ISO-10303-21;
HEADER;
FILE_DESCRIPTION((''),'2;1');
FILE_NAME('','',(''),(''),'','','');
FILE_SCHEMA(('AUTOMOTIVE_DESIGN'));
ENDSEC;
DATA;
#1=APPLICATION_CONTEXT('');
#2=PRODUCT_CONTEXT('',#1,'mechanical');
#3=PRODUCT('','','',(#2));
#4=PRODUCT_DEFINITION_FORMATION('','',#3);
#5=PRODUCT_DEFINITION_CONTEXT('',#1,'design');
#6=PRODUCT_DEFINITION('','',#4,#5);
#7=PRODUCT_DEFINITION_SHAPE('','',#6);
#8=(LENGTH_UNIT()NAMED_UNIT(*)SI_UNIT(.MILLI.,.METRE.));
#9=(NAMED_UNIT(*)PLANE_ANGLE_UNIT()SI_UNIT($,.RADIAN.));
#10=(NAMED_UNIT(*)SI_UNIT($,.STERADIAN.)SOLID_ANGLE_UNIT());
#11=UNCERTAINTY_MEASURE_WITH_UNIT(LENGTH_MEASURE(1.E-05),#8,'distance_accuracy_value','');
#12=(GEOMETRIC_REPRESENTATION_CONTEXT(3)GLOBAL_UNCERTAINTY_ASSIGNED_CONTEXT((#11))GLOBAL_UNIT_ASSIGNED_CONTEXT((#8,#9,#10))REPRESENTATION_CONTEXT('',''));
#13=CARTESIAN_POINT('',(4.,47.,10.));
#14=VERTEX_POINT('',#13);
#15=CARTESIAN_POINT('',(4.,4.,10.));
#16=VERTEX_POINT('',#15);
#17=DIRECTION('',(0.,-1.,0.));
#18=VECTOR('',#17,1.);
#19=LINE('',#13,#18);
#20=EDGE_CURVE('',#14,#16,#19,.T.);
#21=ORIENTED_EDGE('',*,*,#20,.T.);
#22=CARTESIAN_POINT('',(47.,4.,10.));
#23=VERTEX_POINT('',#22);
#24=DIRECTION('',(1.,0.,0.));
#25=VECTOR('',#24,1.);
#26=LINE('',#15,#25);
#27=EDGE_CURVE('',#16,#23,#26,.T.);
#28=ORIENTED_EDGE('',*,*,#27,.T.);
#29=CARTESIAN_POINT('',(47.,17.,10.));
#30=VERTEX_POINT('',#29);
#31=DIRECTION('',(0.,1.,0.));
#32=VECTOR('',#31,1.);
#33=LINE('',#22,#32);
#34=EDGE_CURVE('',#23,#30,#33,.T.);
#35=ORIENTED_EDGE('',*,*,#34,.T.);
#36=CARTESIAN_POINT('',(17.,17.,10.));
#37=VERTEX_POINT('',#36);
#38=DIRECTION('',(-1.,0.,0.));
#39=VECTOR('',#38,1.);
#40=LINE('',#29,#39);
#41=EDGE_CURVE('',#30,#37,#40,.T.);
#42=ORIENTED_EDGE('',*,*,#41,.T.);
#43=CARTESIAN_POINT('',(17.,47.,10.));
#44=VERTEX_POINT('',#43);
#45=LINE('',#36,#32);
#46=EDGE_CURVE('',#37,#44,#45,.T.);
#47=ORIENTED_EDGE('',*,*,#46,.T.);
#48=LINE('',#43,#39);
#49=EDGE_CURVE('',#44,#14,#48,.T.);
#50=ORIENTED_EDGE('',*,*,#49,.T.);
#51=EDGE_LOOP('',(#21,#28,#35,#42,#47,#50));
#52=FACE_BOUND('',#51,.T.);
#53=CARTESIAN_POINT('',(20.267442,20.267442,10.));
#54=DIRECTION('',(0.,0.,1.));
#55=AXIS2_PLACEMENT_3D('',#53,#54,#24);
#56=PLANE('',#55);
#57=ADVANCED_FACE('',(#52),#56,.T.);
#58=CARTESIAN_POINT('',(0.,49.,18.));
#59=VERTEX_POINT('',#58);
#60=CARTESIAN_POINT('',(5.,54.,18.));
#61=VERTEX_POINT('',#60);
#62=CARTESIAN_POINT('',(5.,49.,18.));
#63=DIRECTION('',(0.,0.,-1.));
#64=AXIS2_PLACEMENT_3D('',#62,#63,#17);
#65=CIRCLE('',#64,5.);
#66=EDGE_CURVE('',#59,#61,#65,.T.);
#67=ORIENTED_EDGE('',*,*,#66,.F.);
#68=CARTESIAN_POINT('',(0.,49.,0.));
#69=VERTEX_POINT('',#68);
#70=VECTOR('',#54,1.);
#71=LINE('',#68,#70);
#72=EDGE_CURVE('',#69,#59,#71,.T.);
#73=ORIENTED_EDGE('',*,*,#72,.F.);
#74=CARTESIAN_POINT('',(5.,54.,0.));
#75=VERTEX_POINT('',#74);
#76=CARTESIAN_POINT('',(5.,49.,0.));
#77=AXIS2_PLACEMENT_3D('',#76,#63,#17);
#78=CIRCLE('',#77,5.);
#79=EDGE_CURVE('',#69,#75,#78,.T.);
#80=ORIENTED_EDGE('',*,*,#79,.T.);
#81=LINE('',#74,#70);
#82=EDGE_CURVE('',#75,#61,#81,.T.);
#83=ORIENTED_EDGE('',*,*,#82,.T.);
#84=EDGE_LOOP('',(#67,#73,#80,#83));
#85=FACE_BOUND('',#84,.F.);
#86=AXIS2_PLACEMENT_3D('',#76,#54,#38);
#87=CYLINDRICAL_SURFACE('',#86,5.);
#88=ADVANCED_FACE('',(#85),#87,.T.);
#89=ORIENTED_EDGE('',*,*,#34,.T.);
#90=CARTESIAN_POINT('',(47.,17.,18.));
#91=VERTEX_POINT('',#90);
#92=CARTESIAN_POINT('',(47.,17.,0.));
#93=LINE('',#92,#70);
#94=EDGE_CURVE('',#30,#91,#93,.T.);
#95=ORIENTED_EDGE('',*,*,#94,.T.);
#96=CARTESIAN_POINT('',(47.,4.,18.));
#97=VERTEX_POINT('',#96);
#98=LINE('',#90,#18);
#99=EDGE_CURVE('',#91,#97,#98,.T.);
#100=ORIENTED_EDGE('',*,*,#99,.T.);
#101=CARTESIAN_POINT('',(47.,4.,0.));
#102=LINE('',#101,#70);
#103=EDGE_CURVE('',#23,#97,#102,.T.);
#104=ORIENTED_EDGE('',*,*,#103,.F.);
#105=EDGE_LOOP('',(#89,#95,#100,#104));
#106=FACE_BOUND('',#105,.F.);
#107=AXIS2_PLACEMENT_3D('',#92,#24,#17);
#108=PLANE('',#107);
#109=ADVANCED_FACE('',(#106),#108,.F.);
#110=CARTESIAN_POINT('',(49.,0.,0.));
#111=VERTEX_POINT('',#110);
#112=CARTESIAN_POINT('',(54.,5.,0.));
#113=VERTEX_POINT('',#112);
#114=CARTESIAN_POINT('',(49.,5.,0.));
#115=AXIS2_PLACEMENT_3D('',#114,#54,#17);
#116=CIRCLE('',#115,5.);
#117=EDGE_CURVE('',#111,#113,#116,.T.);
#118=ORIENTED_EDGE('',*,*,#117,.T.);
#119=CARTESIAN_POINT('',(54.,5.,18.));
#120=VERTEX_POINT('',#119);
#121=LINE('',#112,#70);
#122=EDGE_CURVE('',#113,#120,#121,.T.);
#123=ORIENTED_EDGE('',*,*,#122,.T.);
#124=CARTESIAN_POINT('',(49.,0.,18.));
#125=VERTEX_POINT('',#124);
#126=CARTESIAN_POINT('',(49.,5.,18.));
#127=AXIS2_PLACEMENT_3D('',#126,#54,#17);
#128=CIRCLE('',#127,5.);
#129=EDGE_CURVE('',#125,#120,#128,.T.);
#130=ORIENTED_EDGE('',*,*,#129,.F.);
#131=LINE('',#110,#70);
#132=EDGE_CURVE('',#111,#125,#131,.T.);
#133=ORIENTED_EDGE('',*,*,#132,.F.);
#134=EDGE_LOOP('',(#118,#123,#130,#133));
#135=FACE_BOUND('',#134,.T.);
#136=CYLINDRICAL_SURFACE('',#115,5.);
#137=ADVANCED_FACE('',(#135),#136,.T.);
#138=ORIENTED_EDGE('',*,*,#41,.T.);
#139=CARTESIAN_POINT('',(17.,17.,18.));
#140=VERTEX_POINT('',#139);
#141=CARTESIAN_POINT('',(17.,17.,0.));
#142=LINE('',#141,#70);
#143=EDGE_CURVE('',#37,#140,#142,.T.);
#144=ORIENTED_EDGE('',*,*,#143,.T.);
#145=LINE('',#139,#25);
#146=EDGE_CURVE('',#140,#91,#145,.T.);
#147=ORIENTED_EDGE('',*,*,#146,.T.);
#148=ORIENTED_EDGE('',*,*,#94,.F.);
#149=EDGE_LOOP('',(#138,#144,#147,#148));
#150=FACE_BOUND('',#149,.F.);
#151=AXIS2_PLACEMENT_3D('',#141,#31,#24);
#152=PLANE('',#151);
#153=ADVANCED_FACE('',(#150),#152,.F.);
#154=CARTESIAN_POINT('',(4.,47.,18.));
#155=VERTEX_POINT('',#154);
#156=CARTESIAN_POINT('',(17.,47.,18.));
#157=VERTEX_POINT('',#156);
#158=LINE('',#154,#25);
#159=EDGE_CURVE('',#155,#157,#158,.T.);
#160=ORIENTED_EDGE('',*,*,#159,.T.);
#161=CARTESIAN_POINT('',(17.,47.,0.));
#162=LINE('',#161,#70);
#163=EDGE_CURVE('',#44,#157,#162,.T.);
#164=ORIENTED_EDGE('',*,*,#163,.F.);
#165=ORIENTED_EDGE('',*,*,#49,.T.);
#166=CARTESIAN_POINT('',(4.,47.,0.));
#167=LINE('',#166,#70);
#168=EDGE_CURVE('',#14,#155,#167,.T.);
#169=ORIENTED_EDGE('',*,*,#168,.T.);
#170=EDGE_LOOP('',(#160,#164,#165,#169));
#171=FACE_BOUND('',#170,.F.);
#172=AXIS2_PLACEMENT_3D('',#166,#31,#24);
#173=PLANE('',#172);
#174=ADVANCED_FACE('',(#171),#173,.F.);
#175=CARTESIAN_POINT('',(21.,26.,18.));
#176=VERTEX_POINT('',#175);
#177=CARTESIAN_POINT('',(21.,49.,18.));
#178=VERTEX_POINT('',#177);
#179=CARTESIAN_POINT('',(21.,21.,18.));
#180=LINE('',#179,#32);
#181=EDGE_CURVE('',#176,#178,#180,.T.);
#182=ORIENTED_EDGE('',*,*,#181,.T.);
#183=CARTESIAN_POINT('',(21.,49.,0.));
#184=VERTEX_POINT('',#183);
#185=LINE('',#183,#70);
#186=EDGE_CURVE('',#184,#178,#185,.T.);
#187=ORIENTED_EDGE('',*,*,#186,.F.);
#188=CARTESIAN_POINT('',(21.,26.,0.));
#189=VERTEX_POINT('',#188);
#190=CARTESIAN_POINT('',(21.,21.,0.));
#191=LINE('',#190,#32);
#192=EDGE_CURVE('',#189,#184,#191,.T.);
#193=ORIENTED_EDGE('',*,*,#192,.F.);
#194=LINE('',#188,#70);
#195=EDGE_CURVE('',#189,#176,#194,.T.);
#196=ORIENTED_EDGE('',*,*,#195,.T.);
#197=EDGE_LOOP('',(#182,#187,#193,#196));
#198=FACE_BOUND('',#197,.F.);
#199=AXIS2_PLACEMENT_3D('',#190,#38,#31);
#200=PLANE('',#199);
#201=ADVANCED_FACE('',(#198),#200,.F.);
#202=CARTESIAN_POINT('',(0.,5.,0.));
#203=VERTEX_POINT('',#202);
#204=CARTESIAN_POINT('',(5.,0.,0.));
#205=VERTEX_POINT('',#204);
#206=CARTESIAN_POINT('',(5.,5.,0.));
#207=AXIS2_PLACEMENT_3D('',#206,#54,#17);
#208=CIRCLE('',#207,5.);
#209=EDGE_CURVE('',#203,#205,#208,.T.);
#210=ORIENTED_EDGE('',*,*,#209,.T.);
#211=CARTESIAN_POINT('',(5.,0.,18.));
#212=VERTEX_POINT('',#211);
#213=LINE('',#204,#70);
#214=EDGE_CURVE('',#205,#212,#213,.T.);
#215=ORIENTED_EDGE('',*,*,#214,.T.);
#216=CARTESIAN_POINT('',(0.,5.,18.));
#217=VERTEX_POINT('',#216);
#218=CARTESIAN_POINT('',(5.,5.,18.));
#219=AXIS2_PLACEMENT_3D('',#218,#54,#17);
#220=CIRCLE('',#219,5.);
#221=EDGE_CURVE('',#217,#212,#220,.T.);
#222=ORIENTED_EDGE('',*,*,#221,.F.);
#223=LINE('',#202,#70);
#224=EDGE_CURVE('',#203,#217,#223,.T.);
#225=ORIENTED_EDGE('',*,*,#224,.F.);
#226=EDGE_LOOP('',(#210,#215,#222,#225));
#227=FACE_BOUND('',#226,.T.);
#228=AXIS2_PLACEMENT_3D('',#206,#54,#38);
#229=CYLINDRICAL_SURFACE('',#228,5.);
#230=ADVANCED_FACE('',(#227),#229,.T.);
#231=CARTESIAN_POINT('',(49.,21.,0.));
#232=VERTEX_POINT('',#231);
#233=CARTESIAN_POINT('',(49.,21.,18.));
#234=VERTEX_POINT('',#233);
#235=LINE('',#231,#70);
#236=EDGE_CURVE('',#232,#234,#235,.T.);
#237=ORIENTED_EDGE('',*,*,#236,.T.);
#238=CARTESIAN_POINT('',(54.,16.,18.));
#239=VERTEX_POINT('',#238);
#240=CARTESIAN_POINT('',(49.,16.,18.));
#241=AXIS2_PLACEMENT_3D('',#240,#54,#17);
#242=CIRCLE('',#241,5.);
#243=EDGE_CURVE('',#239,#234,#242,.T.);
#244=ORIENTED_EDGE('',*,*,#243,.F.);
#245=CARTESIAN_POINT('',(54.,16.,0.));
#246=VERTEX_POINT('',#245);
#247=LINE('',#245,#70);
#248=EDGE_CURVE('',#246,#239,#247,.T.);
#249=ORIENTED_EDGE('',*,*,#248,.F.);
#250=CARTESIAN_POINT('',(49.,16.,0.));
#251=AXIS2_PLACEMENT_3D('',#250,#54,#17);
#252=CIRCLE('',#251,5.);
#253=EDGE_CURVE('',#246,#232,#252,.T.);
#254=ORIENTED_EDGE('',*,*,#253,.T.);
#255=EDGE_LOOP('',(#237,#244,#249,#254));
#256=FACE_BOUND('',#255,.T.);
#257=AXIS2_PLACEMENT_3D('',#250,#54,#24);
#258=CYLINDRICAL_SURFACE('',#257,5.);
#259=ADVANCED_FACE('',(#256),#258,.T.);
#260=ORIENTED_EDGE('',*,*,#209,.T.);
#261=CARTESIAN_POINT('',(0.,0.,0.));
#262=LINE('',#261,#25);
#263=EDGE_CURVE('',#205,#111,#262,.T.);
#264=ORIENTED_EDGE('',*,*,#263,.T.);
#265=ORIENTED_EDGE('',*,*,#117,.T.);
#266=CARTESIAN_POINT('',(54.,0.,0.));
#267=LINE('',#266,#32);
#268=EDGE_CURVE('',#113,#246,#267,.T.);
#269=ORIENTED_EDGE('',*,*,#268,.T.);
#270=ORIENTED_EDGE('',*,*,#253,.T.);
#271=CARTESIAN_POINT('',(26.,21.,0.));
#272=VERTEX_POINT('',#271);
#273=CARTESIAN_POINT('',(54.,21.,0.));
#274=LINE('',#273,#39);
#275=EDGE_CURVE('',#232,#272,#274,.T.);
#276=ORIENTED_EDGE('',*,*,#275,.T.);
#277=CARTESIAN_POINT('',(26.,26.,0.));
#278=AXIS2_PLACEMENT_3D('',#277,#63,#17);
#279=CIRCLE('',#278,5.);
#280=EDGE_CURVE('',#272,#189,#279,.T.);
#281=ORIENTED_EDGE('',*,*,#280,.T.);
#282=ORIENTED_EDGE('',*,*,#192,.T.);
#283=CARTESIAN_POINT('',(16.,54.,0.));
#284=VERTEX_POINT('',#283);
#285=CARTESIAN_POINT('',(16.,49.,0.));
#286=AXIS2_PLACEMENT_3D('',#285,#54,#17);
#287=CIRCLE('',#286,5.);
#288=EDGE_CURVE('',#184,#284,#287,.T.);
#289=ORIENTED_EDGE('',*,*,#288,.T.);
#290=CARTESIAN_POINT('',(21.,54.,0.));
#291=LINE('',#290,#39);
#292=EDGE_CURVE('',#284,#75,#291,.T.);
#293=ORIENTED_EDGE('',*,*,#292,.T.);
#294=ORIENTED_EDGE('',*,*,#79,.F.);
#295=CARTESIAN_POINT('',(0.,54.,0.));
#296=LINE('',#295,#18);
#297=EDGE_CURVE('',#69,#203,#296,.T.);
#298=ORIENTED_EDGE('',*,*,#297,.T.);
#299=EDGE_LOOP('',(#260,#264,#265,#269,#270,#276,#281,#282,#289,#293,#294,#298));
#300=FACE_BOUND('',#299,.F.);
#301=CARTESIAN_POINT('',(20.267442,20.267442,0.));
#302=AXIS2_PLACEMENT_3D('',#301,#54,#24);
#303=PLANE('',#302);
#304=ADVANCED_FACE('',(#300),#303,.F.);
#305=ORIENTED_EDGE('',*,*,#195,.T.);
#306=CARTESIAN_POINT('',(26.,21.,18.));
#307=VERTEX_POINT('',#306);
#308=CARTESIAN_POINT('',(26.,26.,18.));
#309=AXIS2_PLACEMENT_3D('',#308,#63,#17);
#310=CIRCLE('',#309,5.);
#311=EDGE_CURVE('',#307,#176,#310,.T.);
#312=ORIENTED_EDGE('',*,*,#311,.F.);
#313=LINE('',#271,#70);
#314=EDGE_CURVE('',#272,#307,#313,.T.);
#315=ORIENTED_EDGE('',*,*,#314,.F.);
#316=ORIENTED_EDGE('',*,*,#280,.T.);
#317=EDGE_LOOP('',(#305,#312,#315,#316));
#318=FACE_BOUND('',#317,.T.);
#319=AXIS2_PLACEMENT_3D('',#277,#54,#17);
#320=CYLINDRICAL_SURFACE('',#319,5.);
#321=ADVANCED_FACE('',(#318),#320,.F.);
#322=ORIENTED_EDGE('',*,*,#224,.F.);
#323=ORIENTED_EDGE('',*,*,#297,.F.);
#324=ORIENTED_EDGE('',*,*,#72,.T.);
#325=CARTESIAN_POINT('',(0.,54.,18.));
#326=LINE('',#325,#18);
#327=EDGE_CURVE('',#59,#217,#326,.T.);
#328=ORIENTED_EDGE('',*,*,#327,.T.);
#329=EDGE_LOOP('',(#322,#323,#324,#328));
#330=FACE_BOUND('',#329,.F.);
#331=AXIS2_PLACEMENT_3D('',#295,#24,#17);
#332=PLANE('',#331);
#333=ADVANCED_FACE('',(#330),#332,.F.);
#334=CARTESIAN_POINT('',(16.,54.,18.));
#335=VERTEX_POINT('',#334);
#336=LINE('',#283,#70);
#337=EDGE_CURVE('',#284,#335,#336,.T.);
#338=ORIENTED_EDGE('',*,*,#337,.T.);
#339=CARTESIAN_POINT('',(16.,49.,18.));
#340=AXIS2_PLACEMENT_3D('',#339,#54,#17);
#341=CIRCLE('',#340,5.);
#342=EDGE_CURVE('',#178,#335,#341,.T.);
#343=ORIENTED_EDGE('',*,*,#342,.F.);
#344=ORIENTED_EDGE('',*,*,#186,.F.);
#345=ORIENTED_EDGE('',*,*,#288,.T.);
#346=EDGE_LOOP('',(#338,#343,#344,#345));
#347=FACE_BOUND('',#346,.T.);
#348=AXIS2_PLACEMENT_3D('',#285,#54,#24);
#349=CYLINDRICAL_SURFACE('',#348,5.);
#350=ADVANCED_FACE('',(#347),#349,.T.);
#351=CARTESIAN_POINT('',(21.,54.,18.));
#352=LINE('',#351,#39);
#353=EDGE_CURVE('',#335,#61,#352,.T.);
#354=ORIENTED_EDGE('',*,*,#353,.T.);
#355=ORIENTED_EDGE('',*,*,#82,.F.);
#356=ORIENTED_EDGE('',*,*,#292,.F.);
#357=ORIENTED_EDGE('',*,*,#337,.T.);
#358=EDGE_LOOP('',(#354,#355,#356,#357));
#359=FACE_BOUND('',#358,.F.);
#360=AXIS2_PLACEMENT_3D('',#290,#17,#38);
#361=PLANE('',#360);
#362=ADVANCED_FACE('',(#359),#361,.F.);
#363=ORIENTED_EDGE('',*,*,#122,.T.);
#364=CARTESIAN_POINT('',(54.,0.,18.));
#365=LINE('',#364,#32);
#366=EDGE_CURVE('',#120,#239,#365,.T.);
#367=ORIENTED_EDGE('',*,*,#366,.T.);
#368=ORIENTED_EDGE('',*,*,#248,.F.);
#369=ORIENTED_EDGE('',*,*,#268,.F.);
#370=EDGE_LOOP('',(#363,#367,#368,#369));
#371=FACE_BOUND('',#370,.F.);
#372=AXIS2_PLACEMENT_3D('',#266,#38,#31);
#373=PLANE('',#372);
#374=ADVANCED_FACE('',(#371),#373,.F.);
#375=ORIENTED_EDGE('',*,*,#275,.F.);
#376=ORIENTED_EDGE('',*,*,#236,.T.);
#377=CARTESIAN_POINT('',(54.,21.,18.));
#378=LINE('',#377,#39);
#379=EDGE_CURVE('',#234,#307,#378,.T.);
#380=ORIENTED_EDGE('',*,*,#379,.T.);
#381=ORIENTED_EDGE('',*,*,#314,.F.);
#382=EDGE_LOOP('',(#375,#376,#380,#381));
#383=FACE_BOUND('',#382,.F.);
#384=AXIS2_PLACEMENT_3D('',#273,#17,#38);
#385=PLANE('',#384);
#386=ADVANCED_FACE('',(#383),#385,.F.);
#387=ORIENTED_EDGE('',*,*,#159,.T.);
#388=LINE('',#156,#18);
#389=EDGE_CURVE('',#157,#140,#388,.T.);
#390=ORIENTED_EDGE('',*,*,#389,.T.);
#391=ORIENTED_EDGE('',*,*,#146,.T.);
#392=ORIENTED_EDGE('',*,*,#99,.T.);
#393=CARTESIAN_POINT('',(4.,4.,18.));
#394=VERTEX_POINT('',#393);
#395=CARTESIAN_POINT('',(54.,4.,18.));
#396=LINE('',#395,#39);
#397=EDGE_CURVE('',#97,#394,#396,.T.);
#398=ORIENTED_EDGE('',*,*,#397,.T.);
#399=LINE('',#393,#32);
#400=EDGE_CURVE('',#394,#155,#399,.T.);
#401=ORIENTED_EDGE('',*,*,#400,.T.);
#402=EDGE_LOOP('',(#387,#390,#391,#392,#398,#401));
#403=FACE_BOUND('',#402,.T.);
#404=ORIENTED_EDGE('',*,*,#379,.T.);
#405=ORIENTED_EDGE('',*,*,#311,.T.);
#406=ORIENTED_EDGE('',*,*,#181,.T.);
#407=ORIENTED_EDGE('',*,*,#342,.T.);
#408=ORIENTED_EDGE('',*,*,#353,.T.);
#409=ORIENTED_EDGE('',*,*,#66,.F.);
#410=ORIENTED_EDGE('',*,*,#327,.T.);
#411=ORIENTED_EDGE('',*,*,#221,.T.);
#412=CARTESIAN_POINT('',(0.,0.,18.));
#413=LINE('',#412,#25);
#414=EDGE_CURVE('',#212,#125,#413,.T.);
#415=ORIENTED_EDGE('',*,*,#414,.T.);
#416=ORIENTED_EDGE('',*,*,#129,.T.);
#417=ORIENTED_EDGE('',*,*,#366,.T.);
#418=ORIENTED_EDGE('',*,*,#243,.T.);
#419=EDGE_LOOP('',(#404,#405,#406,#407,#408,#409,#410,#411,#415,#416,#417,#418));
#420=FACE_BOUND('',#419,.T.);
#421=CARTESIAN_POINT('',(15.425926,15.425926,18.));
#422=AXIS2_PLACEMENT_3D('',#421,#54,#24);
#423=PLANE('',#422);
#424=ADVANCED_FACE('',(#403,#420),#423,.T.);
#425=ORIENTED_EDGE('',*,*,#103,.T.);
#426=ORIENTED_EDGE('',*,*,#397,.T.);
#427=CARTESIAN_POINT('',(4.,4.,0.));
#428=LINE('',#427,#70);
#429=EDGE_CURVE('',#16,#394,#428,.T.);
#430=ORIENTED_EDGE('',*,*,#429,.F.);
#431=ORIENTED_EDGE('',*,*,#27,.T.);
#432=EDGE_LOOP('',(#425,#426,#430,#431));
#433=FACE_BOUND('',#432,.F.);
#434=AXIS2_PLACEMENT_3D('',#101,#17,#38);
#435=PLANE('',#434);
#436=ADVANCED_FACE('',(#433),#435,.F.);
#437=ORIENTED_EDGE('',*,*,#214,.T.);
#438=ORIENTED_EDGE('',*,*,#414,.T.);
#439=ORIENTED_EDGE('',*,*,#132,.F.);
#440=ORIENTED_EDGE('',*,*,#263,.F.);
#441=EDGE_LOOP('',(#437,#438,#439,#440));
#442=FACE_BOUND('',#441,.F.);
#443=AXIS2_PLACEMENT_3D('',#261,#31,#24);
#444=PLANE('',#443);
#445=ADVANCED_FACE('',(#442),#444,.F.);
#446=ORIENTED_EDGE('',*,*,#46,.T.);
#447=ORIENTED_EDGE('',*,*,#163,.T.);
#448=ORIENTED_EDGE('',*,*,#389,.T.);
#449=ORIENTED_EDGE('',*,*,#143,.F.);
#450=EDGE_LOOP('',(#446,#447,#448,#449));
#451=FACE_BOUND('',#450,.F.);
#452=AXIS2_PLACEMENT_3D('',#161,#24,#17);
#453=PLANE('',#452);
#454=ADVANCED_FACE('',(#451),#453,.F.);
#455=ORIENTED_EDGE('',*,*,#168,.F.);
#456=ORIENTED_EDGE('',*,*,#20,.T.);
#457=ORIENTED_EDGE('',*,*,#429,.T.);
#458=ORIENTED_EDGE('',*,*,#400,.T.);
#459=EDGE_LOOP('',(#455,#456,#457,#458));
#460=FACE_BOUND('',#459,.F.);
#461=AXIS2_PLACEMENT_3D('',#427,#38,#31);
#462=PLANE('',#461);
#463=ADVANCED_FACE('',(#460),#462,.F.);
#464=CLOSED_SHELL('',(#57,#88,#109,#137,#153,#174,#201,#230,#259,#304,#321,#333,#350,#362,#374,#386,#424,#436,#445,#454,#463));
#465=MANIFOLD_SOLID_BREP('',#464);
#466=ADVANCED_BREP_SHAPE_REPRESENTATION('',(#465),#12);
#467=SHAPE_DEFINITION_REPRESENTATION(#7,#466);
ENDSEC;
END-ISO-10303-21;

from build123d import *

# Parameters (mm, degrees)
F1_DEPTH = 18
F2_DEPTH = 10
F3_R     = 5


with BuildPart() as f1:
    # F0 (on Top) → F1 (new body)
    with BuildSketch(Plane.XY):
        Polygon((0, 54), (0, 0), (54, 0), (54, 4), (47, 4), (4, 4), (4, 47), (4, 54), align=None)
        Polygon((47, 4), (54, 4), (54, 21), (21, 21), (21, 54), (4, 54), (4, 47), (17, 47), (17, 17), (47, 17), align=None)
    extrude(amount=F1_DEPTH)

    # F0 (on Top) → F2 (join)
    with BuildSketch(Plane.XY):
        Polygon((4, 4), (47, 4), (47, 17), (17, 17), (17, 47), (4, 47), align=None)
    extrude(amount=F2_DEPTH)

    # F3
    f3_edges = [f1.edges().sort_by_distance(p)[0] for p in [
        (0, 0, 9),
        (0, 54, 9),
        (54, 0, 9),
        (54, 21, 9),
        (21, 54, 9),
        (21, 21, 9),
    ]]
    fillet(f3_edges, radius=F3_R)


solid = f1.part
